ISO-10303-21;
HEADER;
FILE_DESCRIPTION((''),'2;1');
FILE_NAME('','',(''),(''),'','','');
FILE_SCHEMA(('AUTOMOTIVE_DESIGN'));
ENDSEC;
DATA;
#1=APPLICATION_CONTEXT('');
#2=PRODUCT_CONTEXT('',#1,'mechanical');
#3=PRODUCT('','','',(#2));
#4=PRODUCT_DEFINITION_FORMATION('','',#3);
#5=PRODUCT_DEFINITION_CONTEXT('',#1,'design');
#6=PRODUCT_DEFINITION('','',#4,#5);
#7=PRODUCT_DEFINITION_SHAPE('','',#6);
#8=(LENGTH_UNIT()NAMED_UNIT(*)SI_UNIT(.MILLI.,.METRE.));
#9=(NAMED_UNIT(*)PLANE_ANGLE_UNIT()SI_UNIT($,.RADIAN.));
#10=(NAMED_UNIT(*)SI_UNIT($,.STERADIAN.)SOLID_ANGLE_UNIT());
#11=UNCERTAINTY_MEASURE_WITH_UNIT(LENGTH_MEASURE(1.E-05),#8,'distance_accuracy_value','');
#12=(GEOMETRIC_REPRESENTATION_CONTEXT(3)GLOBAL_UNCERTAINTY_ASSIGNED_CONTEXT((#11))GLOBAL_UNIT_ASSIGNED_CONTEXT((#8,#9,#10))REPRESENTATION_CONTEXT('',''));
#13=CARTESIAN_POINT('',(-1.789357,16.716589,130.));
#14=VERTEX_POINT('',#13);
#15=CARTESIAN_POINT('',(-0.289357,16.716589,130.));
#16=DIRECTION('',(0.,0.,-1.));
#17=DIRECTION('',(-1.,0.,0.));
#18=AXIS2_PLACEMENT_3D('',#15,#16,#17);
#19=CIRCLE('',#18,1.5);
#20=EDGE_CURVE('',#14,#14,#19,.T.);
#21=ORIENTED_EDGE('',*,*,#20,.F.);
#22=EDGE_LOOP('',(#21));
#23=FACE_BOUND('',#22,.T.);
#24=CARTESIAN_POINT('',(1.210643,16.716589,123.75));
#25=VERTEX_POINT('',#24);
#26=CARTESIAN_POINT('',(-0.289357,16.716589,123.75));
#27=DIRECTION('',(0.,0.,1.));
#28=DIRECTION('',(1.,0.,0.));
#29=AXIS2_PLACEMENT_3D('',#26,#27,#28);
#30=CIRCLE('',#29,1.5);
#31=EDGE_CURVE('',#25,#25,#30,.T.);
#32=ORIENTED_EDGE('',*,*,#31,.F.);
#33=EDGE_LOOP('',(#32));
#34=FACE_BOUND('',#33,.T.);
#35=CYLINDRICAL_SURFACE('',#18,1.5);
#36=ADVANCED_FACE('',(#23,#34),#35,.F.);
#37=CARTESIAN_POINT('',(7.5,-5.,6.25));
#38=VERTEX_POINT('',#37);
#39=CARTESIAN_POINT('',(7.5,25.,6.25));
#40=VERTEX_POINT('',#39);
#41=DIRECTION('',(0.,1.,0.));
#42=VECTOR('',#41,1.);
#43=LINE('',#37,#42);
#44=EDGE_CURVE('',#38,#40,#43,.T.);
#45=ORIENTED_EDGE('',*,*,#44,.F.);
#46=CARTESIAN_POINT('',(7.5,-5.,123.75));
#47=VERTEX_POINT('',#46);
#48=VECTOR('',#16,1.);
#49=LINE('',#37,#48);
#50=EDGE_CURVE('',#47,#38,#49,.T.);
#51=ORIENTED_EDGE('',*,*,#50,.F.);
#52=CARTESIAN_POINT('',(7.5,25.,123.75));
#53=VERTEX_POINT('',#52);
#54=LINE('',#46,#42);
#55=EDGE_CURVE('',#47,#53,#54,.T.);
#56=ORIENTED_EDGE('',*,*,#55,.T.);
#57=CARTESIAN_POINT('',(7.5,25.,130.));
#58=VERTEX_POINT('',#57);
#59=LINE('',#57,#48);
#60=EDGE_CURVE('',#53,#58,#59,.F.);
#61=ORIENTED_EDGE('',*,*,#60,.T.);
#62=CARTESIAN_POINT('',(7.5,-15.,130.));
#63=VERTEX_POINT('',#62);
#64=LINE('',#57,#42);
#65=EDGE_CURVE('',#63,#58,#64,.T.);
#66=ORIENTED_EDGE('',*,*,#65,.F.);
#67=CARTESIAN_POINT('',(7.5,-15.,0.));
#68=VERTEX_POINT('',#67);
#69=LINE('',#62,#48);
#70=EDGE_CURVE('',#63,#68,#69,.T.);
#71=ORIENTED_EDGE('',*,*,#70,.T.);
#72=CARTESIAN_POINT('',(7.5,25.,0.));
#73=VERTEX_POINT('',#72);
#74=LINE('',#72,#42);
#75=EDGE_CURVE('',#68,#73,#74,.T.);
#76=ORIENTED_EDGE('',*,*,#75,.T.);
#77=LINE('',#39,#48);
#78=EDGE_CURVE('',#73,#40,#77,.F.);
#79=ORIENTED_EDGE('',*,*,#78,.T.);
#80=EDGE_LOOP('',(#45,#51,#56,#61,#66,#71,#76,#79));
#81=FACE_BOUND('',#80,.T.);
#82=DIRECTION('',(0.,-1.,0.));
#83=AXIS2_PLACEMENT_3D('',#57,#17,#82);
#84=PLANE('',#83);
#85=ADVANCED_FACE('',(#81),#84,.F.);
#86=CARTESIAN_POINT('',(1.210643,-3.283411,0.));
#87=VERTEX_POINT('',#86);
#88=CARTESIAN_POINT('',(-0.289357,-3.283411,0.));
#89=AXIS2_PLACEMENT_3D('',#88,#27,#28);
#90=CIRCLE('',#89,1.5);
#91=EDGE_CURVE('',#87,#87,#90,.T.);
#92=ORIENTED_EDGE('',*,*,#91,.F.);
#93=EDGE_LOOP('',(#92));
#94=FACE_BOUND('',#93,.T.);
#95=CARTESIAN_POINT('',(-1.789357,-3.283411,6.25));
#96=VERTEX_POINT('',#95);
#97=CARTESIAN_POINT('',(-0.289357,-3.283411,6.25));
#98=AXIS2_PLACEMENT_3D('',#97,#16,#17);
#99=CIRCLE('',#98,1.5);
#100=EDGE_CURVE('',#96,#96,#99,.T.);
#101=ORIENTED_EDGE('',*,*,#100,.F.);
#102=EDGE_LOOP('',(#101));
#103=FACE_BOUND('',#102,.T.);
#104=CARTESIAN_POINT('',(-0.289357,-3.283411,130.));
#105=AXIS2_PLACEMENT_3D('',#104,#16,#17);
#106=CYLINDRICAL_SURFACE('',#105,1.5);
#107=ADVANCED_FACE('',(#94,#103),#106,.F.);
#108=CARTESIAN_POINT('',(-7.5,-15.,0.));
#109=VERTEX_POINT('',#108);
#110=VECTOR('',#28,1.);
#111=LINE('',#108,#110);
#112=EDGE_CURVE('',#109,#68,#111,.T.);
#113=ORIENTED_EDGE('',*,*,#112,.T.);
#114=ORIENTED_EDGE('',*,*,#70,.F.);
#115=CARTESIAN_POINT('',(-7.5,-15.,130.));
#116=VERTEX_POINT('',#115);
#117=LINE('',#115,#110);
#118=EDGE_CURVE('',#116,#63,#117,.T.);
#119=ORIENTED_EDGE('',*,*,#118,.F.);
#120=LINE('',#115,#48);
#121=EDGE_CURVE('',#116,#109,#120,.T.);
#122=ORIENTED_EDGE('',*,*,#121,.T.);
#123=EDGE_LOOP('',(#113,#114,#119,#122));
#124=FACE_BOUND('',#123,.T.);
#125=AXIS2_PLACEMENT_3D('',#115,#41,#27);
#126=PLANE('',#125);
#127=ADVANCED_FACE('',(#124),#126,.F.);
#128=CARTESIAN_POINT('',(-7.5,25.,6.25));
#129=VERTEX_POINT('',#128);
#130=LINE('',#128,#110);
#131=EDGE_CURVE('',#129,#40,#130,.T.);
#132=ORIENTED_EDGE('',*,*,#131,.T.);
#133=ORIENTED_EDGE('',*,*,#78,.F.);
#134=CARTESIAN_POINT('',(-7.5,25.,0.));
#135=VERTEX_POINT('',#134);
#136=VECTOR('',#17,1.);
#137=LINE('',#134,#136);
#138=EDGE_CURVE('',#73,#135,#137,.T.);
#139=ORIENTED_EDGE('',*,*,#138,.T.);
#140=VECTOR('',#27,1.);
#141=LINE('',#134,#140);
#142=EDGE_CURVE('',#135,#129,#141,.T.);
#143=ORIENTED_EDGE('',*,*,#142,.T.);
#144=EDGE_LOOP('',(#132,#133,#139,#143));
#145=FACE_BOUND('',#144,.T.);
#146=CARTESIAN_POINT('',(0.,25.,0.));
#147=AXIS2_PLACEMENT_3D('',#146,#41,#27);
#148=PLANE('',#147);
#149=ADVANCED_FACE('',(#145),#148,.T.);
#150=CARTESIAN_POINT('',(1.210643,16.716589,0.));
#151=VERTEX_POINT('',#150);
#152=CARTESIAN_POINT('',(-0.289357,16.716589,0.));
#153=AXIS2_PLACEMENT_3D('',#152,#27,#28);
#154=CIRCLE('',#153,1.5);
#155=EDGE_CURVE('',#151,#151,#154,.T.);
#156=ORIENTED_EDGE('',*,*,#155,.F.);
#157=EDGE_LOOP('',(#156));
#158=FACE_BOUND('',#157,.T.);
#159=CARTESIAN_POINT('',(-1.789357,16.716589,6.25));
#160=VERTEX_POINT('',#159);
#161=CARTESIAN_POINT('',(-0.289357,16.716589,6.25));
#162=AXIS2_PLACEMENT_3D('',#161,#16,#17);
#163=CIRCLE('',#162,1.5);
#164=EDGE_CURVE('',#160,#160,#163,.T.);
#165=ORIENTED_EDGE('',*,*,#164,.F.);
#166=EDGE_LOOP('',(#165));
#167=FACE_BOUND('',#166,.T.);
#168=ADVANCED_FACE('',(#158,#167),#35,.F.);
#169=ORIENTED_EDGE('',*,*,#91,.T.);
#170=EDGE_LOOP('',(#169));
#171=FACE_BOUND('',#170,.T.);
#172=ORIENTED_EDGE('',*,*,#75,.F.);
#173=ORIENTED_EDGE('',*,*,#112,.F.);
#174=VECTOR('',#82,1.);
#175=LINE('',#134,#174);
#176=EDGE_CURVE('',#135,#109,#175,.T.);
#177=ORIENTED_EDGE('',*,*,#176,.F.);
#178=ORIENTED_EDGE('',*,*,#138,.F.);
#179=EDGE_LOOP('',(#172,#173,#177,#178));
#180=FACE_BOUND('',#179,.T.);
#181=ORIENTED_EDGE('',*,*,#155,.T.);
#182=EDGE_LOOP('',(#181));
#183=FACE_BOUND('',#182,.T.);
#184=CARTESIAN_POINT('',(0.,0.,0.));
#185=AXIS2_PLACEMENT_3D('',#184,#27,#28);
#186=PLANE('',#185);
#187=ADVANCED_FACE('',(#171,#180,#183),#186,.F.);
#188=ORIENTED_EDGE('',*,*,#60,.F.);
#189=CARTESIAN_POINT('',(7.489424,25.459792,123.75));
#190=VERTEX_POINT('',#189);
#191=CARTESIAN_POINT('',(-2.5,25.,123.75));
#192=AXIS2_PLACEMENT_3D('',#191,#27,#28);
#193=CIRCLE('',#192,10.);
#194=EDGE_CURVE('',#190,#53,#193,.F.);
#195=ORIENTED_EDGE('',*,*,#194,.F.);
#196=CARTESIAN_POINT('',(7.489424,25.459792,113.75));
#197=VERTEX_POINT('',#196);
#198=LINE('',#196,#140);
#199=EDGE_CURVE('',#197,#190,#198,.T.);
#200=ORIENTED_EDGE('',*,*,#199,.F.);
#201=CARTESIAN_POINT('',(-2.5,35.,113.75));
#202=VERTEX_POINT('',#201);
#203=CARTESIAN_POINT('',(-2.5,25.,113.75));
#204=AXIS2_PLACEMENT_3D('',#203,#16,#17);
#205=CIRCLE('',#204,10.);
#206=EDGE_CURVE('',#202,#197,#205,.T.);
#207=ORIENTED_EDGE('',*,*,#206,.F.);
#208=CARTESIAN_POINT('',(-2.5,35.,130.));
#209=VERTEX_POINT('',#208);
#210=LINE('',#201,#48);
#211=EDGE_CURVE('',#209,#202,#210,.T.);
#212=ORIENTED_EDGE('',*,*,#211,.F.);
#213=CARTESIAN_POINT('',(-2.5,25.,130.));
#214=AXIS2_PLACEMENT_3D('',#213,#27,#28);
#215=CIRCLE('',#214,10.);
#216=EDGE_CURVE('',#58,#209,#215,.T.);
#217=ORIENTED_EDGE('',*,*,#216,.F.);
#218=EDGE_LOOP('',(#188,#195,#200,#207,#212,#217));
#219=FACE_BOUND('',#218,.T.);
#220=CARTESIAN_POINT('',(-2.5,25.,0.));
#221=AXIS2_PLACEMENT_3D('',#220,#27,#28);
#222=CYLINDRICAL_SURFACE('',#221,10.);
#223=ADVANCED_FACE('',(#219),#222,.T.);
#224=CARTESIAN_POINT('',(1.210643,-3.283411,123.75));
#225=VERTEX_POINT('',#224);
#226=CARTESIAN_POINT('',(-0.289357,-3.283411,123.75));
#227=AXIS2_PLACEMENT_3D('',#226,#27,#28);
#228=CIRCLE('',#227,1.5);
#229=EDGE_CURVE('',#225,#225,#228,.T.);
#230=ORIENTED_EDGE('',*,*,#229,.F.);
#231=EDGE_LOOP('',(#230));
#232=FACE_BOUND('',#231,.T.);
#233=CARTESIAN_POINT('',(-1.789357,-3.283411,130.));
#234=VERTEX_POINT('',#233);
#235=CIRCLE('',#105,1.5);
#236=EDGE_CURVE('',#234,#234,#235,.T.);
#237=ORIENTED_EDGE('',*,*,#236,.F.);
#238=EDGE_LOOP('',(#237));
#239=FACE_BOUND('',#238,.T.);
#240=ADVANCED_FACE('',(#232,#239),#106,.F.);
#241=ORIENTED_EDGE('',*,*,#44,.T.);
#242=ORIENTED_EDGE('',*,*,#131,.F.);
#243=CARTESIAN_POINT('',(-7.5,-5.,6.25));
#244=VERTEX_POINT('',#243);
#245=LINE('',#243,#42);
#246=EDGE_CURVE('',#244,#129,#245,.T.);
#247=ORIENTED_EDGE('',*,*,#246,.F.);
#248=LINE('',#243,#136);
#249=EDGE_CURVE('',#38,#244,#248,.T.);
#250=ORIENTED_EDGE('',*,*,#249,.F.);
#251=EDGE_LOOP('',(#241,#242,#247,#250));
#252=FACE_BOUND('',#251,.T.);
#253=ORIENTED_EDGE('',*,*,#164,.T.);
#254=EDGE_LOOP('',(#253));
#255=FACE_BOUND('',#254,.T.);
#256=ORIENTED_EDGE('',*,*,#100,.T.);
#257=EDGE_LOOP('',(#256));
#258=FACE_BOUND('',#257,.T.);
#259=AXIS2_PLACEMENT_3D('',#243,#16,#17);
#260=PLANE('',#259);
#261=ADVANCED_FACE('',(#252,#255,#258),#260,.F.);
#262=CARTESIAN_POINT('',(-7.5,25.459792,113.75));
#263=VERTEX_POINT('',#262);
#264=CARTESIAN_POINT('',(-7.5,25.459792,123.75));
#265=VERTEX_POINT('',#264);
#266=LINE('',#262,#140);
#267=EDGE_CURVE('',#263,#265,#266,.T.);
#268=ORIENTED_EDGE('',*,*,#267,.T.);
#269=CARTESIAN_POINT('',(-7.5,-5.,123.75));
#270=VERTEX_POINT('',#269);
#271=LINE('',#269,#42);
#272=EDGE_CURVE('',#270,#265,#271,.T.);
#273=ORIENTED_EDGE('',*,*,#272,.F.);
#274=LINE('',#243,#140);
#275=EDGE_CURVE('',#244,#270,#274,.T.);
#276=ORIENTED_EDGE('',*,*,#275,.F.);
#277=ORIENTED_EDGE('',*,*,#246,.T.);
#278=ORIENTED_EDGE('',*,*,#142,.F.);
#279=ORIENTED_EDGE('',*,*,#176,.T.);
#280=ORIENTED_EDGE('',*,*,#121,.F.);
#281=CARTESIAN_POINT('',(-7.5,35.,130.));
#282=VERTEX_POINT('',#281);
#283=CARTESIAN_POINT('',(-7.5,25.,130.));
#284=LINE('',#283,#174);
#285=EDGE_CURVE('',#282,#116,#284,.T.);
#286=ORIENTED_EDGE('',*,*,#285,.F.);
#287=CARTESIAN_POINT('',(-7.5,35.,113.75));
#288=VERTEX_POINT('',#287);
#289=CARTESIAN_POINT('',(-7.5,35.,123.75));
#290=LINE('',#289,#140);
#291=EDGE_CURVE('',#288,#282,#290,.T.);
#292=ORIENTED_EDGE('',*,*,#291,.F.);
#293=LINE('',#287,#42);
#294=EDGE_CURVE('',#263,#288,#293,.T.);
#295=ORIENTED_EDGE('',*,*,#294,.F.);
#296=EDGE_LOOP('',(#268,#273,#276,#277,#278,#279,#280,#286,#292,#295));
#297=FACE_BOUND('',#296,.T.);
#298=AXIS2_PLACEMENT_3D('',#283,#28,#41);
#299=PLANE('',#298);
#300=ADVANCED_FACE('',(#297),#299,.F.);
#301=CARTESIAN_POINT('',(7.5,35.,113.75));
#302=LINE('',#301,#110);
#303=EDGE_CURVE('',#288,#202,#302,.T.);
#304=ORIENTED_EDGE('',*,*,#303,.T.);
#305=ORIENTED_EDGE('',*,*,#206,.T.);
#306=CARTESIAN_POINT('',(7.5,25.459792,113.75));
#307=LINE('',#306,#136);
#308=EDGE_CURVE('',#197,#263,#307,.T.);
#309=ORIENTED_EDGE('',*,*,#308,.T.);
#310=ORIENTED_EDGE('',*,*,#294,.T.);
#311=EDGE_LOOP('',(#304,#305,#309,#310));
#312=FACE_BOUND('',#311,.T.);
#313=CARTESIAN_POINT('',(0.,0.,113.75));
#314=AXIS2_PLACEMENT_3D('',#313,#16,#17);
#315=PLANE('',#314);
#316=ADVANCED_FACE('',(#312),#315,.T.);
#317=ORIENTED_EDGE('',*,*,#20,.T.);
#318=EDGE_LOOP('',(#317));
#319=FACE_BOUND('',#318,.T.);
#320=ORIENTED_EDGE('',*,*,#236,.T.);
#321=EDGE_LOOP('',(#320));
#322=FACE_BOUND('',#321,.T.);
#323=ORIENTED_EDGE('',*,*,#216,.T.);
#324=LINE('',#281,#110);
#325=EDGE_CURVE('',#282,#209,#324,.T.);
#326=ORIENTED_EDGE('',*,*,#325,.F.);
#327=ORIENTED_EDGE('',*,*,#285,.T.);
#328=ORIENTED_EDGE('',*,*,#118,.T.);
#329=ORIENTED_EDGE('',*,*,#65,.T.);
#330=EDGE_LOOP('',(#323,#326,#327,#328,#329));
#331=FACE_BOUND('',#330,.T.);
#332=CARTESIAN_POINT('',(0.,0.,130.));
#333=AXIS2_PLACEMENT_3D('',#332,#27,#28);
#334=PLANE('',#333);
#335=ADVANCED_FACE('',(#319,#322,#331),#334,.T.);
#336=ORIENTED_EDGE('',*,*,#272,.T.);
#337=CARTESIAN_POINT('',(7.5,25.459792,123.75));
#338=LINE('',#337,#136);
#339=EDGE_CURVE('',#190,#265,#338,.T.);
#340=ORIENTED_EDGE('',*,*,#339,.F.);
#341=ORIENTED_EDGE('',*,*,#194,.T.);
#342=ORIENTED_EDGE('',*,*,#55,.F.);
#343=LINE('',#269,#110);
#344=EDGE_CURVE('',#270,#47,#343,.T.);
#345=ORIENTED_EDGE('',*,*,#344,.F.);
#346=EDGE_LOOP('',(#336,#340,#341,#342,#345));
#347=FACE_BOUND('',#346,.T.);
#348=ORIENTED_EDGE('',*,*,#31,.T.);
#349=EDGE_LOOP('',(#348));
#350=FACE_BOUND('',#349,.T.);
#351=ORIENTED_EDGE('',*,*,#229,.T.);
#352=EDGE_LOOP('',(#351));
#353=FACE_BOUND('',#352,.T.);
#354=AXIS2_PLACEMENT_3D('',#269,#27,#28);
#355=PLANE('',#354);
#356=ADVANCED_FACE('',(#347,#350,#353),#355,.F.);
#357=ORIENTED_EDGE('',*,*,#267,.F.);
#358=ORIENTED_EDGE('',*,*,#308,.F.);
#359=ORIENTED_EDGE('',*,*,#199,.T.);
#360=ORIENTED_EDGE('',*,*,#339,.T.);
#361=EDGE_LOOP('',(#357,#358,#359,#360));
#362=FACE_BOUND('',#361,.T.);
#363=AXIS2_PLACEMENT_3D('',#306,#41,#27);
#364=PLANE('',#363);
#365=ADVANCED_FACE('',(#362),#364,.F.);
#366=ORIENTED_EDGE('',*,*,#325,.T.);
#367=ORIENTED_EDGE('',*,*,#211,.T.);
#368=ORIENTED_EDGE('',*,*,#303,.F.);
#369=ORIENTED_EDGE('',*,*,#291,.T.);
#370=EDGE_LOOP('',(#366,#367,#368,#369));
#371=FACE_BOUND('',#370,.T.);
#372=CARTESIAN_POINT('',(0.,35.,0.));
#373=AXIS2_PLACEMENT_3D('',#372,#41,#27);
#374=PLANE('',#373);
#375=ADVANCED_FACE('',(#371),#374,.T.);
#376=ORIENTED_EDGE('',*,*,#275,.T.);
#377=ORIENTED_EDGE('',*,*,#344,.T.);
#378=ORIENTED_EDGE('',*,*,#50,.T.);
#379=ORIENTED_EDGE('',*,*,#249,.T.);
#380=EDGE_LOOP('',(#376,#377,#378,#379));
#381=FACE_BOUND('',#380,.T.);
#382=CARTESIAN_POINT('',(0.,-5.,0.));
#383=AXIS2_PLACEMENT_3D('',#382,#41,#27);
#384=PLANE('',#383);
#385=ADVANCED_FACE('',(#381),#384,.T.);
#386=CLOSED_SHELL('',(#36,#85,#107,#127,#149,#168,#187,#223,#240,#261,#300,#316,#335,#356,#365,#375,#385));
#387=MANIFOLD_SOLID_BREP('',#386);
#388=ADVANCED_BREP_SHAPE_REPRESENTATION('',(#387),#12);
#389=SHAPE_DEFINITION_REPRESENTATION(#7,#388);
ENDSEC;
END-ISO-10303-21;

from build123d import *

# Parameters (mm, degrees)
SKETCH1_W               = 15
SKETCH1_H               = 40
BOSS_EXTRUDE1_DEPTH     = 130
SKETCH2_W               = 15
SKETCH2_H               = 117.5
CUT_EXTRUDE1_DEPTH      = 30
CUT_EXTRUDE2_DEPTH      = 133.594306062
CUT_EXTRUDE2_DEPTH_BACK = 133.594306062
SKETCH3_R               = 1.5
SKETCH4_W               = 15
SKETCH4_H               = 6.25
BOSS_EXTRUDE2_DEPTH     = 10
SKETCH5_W               = 15
SKETCH5_H               = 9.54020797
BOSS_EXTRUDE3_DEPTH     = 10
FILLET1_R               = 10
SKETCH7_W               = 15
SKETCH7_H               = 6.25
CUT_EXTRUDE3_DEPTH      = 10


with BuildPart() as part:
    # Sketch1 → Boss-Extrude1 (new body)
    with BuildSketch(Plane.XY):
        with Locations((0, 5)):
            Rectangle(SKETCH1_W, SKETCH1_H)
    extrude(amount=BOSS_EXTRUDE1_DEPTH)

    # Sketch2 → Cut-Extrude1 (cut)
    with BuildSketch(Plane(origin=(0, 25, 0), x_dir=(1, 0, 0), z_dir=(0, 1, 0))):
        with Locations((0, -65)):
            Rectangle(SKETCH2_W, SKETCH2_H)
    extrude(amount=-CUT_EXTRUDE1_DEPTH, mode=Mode.SUBTRACT)

    # Sketch3 → Cut-Extrude2 (cut, two sides: drawn at the far end of the back side and taken through both)
    with BuildSketch(Plane(origin=(0, 0, 0), x_dir=(-1, 0, 0), z_dir=(0, 0, -1)).offset(-CUT_EXTRUDE2_DEPTH_BACK)):
        with Locations((0.28935703, 16.716588701)):
            Circle(SKETCH3_R)
        with Locations((0.28935703, -3.283411299)):
            Circle(SKETCH3_R)
    extrude(amount=CUT_EXTRUDE2_DEPTH + CUT_EXTRUDE2_DEPTH_BACK, mode=Mode.SUBTRACT)

    # Sketch4 → Boss-Extrude2 (add)
    with BuildSketch(Plane(origin=(0, 25, 0), x_dir=(1, 0, 0), z_dir=(0, 1, 0))):
        with Locations((0, -3.125)):
            Rectangle(SKETCH4_W, SKETCH4_H)
        with Locations((0, -126.875)):
            Rectangle(SKETCH4_W, SKETCH4_H)
    extrude(amount=BOSS_EXTRUDE2_DEPTH)

    # Sketch5 → Boss-Extrude3 (add)
    with BuildSketch(Plane(origin=(0, 0, 123.75), x_dir=(-1, 0, 0), z_dir=(0, 0, -1))):
        with Locations((0, 30.229896015)):
            Rectangle(SKETCH5_W, SKETCH5_H)
    extrude(amount=BOSS_EXTRUDE3_DEPTH)

    # Fillet1
    fillet1_edges = [part.edges().sort_by_distance(p)[0] for p in [
        (7.5, 35, 3.125),
        (7.5, 35, 121.875),
    ]]
    fillet(fillet1_edges, radius=FILLET1_R)

    # Sketch7 → Cut-Extrude3 (cut)
    with BuildSketch(Plane(origin=(0, 35, 0), x_dir=(1, 0, 0), z_dir=(0, 1, 0))):
        with Locations((0, -3.125)):
            Rectangle(SKETCH7_W, SKETCH7_H)
    extrude(amount=-CUT_EXTRUDE3_DEPTH, mode=Mode.SUBTRACT)


solid = part.part
